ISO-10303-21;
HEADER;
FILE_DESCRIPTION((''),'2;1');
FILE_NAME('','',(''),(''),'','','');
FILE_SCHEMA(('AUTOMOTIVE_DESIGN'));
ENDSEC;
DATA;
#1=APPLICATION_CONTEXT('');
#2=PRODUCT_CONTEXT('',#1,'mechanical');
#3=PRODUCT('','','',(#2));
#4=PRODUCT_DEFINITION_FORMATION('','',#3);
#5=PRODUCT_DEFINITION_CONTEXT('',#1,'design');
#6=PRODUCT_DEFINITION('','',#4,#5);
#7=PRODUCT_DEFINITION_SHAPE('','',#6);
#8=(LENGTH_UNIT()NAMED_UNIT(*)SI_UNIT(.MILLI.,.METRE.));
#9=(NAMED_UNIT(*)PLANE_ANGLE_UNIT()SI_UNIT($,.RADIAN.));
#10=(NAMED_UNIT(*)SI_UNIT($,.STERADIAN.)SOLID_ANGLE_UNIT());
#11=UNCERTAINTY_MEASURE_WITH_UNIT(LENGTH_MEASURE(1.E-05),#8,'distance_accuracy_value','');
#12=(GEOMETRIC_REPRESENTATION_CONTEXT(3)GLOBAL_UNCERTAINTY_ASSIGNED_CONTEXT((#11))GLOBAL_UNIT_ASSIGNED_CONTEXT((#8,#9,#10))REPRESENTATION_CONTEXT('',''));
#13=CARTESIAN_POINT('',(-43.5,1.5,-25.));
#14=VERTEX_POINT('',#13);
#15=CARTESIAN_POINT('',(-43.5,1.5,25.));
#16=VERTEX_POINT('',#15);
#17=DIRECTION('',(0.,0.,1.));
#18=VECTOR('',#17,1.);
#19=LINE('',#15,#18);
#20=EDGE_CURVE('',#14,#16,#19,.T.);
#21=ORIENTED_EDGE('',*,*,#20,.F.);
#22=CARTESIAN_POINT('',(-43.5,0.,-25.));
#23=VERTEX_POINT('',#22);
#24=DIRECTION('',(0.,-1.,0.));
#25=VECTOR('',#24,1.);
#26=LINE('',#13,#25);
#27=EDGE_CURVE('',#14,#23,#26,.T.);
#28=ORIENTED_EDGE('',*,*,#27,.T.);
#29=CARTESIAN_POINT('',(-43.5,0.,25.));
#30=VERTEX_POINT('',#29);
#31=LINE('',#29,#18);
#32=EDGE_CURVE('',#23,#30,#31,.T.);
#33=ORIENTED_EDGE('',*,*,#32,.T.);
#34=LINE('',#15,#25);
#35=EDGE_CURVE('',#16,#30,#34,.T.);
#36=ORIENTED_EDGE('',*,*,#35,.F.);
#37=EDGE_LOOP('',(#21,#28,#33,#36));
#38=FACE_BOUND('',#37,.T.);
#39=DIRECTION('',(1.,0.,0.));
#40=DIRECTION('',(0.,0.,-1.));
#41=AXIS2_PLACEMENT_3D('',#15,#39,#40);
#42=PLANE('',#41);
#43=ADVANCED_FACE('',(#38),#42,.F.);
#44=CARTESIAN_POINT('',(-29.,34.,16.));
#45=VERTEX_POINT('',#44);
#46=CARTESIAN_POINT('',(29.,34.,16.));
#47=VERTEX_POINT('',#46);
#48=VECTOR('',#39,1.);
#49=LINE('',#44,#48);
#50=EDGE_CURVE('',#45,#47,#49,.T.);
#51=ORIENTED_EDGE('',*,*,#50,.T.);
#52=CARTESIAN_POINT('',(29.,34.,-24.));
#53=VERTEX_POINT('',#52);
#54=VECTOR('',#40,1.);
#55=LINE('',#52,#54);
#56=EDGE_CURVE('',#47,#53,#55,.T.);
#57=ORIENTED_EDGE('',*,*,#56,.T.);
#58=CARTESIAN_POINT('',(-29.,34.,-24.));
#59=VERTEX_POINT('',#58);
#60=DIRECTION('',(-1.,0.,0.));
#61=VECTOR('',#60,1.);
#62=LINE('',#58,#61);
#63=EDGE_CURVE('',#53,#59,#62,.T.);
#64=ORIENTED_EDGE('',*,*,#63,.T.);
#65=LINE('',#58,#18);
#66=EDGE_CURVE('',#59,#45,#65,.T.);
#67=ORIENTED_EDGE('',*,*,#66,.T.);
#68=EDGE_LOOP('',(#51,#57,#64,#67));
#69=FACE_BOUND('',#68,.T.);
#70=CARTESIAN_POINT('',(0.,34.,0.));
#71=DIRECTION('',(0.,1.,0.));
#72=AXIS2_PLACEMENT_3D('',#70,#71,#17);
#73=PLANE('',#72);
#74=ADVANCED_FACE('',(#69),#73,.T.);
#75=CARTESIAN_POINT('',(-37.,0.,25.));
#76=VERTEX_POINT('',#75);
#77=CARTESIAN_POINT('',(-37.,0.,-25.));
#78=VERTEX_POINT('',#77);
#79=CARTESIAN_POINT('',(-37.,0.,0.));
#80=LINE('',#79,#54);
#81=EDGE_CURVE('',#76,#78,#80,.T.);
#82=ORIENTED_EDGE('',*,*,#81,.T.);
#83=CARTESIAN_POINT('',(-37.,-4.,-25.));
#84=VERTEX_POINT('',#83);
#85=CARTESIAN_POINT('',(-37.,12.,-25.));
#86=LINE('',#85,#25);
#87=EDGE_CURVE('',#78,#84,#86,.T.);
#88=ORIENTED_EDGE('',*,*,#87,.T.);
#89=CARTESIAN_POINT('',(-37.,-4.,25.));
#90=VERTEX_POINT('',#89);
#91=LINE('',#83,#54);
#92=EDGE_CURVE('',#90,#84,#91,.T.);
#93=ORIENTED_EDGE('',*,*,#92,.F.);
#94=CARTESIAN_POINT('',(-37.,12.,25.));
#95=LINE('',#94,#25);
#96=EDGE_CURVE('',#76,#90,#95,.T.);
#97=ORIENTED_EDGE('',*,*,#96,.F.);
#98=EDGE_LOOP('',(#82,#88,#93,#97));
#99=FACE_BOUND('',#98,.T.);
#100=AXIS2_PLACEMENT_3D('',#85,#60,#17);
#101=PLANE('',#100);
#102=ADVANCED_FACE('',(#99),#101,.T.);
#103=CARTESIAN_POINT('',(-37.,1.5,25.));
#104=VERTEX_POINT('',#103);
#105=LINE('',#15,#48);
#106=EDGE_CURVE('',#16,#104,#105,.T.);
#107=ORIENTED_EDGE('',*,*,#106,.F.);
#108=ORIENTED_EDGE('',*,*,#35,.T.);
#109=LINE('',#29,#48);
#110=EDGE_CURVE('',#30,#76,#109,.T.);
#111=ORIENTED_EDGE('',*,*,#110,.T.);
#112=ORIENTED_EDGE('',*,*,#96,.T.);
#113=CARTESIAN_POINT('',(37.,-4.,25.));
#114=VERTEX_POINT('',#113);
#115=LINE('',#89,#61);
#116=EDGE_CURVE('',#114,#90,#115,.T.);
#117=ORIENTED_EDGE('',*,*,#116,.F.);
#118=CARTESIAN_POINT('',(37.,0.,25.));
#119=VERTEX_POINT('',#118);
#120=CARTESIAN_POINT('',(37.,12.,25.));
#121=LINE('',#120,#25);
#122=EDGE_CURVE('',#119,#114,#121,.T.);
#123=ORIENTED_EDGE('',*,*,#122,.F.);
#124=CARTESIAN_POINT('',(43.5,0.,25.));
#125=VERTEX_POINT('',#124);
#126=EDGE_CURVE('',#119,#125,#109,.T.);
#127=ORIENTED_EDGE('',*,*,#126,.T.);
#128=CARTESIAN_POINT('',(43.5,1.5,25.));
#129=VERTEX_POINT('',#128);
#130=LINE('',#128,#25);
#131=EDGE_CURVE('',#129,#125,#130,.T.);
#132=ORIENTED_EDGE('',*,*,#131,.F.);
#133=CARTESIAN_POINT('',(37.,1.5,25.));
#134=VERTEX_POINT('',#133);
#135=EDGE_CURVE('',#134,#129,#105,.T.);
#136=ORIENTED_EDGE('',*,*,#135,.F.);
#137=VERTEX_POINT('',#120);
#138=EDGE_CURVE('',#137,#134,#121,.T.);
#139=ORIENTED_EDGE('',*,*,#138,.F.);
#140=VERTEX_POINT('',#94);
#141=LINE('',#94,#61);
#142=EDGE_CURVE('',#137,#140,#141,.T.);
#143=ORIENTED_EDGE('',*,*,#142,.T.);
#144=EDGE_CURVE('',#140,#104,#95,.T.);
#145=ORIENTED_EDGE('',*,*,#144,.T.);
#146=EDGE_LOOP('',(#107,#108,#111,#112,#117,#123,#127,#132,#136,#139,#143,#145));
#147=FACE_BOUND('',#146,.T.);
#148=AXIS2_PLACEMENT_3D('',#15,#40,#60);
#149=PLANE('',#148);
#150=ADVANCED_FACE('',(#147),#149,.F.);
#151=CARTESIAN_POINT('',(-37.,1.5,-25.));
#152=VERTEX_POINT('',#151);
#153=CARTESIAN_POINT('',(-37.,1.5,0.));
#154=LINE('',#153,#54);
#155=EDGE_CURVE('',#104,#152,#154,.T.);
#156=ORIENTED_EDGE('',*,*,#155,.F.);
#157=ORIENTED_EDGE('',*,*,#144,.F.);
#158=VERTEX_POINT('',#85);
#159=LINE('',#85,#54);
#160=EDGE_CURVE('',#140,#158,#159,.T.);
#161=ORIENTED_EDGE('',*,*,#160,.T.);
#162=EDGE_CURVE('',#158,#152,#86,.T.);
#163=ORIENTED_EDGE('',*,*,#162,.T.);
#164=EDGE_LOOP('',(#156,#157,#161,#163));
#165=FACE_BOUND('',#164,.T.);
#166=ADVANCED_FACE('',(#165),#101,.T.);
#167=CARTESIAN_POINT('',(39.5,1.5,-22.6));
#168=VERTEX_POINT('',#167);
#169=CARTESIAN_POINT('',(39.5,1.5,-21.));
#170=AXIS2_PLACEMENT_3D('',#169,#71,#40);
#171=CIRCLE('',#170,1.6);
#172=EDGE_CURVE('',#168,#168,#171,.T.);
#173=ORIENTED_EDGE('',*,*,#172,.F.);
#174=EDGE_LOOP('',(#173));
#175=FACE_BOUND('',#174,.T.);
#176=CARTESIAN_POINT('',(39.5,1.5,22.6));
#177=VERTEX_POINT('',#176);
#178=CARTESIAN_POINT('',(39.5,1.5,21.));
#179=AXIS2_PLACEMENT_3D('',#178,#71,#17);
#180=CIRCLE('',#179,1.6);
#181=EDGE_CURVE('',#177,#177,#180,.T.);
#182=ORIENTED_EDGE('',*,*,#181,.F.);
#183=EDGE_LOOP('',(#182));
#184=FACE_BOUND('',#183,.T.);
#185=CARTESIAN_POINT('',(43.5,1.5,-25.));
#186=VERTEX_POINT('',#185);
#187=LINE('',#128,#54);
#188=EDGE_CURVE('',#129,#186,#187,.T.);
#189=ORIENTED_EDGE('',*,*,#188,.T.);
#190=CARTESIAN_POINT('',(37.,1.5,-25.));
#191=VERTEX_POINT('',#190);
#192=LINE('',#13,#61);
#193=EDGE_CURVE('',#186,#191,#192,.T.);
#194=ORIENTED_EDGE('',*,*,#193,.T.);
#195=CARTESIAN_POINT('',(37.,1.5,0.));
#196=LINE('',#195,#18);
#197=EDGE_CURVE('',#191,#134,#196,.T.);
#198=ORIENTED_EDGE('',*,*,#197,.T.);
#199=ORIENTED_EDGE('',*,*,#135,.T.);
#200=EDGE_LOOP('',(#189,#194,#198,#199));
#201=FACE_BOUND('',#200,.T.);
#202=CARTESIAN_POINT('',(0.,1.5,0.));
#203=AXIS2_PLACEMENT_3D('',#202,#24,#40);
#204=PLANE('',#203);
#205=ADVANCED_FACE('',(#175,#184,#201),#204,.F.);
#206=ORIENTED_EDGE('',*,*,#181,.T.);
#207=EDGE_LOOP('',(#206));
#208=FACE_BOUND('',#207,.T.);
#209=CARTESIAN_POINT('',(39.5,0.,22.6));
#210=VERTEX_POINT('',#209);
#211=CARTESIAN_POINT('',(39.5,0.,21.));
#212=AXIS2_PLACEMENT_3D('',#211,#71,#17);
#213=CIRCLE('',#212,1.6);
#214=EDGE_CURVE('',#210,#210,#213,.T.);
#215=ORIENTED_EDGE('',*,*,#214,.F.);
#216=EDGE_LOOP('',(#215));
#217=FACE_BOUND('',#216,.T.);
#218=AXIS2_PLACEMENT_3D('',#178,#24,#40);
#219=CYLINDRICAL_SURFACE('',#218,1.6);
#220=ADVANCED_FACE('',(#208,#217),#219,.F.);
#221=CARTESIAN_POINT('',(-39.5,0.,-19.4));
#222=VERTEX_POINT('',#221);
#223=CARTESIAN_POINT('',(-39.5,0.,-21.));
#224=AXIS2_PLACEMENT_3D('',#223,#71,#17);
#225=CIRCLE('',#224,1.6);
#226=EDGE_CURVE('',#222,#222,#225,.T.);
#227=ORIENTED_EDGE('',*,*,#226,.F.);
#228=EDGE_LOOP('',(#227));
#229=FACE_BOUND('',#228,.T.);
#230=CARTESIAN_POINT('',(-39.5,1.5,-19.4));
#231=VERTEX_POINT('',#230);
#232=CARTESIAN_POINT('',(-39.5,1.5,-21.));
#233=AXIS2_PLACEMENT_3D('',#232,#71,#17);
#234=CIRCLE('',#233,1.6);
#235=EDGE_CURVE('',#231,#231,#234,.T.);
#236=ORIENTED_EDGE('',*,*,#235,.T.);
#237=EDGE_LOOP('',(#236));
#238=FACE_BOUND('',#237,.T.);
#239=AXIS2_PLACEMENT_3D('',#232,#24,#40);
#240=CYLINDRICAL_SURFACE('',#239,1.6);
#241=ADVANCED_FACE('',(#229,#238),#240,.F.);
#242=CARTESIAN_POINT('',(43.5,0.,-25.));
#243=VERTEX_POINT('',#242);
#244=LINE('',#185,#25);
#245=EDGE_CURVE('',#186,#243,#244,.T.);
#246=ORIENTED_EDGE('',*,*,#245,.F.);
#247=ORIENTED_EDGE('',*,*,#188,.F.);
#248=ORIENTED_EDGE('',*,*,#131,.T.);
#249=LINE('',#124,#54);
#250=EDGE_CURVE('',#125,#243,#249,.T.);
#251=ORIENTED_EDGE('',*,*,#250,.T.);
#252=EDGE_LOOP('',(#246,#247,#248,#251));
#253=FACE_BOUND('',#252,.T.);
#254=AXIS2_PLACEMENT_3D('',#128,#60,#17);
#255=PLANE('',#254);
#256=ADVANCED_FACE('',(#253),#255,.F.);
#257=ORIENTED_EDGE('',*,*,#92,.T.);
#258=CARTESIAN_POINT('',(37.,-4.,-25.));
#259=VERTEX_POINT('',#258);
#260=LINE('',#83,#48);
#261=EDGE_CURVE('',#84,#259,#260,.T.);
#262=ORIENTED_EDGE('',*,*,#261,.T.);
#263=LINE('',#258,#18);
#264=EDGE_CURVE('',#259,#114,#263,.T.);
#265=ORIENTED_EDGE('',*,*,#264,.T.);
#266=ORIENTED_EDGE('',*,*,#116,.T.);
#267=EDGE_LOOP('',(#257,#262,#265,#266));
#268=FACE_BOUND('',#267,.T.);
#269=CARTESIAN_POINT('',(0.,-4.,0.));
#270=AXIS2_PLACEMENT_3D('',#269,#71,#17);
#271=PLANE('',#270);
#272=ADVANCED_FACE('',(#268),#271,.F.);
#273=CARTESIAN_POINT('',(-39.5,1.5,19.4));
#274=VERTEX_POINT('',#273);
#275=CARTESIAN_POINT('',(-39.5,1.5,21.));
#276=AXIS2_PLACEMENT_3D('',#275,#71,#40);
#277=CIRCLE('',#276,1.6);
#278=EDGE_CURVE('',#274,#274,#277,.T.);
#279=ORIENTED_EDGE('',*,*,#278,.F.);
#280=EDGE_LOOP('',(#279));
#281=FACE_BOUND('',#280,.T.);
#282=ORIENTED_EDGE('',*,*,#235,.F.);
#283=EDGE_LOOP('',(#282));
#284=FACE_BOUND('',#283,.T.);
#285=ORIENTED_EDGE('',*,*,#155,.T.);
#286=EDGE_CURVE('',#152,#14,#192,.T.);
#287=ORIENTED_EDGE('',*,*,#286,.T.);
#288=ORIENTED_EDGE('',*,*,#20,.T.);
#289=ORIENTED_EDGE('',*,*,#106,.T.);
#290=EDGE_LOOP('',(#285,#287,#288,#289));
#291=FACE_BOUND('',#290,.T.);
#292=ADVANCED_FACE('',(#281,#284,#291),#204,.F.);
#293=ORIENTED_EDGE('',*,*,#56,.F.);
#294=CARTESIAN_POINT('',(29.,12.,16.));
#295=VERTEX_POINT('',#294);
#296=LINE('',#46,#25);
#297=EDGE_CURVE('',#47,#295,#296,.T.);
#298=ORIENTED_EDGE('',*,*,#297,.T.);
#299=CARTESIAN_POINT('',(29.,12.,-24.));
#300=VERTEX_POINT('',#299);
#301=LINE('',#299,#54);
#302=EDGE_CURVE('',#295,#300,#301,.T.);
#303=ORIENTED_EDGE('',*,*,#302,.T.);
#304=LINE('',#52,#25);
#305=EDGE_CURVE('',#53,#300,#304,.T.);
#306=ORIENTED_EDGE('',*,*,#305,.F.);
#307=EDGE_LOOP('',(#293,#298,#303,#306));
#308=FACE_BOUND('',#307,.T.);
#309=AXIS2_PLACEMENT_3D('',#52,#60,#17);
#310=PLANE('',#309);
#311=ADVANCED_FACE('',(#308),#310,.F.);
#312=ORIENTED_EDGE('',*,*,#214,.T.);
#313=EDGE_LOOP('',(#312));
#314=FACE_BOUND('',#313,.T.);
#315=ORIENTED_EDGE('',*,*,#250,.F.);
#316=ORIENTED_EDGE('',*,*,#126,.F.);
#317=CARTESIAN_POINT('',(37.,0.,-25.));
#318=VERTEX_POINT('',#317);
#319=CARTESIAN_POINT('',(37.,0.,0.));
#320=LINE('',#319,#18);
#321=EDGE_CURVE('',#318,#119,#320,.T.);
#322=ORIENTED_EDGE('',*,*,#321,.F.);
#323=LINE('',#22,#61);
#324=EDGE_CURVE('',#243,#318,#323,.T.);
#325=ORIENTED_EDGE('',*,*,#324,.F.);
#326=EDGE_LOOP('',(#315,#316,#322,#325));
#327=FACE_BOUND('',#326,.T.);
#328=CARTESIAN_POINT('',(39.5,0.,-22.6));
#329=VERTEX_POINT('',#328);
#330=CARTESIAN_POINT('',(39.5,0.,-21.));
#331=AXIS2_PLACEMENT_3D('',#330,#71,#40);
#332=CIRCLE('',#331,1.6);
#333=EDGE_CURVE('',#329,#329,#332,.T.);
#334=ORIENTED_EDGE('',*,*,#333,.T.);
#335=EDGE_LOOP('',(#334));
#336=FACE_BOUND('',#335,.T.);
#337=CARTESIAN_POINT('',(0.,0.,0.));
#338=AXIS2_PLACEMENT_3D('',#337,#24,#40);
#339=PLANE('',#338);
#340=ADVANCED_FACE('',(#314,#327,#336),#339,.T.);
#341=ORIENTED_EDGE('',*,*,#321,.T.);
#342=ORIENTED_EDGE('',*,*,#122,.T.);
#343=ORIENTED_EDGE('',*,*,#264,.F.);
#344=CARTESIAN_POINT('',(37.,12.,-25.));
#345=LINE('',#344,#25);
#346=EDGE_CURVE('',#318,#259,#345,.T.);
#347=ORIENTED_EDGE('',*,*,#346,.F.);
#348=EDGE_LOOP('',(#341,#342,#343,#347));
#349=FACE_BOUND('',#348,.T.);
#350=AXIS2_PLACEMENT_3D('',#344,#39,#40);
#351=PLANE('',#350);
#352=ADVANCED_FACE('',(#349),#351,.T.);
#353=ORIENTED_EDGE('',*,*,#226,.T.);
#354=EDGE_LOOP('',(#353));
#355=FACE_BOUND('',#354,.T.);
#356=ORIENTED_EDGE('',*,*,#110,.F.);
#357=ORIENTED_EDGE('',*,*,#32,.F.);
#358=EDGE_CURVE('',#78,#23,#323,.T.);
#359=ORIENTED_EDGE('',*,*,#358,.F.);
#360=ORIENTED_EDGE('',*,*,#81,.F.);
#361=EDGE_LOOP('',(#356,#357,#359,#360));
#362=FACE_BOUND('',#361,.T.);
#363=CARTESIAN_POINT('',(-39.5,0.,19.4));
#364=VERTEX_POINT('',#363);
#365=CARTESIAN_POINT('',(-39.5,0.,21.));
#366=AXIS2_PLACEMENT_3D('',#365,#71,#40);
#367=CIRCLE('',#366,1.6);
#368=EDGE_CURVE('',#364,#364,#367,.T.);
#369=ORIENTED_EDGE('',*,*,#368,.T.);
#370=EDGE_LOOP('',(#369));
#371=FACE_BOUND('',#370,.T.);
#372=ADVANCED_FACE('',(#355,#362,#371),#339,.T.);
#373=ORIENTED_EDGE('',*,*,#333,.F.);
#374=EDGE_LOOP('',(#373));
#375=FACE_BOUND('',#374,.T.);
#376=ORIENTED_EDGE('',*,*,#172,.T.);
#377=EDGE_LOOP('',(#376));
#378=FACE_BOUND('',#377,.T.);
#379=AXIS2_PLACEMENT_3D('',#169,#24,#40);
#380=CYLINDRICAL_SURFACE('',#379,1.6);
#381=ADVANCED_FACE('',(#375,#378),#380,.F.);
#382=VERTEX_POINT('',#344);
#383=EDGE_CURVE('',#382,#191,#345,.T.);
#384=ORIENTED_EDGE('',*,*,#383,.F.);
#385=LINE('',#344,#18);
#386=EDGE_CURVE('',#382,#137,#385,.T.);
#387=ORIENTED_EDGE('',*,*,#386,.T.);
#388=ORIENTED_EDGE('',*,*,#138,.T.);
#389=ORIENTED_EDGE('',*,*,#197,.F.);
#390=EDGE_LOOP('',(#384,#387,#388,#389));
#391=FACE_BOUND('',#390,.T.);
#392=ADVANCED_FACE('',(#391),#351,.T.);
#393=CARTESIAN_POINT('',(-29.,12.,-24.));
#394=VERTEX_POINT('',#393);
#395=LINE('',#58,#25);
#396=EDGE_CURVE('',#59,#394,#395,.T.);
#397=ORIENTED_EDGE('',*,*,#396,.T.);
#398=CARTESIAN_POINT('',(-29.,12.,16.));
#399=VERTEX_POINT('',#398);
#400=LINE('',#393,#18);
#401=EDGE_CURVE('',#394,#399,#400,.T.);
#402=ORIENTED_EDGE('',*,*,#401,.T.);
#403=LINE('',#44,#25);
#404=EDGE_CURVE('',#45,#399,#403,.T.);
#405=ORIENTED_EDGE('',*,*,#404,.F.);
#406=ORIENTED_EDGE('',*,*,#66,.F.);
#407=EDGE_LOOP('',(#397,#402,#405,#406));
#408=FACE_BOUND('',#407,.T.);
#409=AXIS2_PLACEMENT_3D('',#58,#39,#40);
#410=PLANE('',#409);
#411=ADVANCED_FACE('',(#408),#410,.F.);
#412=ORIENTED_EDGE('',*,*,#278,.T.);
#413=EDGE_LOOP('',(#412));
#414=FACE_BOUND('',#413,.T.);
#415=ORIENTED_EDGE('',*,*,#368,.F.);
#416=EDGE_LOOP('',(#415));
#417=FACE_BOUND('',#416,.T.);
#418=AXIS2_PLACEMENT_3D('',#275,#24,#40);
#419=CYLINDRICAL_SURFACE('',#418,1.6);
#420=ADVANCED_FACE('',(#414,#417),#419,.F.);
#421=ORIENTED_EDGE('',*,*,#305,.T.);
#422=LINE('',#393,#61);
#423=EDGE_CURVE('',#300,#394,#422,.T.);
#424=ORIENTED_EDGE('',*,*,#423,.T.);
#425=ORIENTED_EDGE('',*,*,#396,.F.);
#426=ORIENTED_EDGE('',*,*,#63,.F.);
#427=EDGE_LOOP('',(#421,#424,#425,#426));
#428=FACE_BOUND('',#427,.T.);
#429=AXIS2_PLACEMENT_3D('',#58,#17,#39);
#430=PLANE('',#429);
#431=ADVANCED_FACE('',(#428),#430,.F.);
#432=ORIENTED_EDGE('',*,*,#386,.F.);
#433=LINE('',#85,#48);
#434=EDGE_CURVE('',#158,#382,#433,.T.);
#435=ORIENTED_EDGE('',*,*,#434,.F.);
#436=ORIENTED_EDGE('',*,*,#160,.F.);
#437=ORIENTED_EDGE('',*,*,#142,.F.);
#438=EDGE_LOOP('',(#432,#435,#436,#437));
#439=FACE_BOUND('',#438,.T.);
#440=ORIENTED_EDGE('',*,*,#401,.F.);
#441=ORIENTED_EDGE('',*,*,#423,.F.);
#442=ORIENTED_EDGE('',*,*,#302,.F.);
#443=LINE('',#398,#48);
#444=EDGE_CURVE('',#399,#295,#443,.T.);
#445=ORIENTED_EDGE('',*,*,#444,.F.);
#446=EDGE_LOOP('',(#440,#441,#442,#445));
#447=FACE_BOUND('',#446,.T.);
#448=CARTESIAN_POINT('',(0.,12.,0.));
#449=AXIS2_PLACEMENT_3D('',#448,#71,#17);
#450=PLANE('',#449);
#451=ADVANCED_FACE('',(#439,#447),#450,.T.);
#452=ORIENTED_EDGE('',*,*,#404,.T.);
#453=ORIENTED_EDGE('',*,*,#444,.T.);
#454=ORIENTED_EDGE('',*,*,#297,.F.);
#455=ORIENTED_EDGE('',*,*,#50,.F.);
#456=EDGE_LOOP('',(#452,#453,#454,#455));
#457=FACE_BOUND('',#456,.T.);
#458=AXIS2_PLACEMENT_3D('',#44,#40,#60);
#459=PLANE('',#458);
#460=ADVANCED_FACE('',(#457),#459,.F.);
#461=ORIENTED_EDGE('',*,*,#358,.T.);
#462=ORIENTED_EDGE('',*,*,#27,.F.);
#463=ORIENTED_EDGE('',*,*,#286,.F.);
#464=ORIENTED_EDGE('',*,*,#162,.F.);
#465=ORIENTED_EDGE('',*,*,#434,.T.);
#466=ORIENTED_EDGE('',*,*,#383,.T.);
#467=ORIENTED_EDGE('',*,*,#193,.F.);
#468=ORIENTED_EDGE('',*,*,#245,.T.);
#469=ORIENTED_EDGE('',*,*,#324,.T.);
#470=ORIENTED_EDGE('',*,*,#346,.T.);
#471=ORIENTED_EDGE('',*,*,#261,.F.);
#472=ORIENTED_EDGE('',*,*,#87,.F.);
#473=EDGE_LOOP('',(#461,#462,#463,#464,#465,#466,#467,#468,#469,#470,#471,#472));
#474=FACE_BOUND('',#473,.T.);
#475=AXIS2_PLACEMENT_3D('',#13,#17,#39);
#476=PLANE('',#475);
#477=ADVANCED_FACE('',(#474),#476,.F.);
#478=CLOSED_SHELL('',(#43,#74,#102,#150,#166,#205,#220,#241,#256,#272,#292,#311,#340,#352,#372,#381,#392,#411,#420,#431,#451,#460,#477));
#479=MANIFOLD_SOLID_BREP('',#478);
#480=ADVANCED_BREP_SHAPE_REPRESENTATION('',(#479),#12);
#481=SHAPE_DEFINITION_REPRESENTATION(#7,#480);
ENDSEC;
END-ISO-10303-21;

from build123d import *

# Parameters (mm, degrees)
SKETCH_1_W           = 87
SKETCH_1_H           = 50
SKETCH_1_R           = 1.6
EXTRUDE_1_DEPTH      = 1.5
EXTRUDE_2_DEPTH      = 4
EXTRUDE_2_DEPTH_BACK = 12
SKETCH_2_W           = 74
SKETCH_2_H           = 50
SKETCH_3_W           = 58
SKETCH_3_H           = 40
EXTRUDE_3_DEPTH      = 22


with BuildPart() as part:
    # 草图1 → 凸台-拉伸1 (new body)
    with BuildSketch(Plane(origin=(0, 0, 0), x_dir=(1, 0, 0), z_dir=(0, 1, 0))):
        Rectangle(SKETCH_1_W, SKETCH_1_H)
        with Locations(Location((-39.5, 21, 0), (0, 0, 270))):
            Circle(SKETCH_1_R, mode=Mode.SUBTRACT)
        with Locations(Location((-39.5, -21, 0), (0, 0, 90))):
            Circle(SKETCH_1_R, mode=Mode.SUBTRACT)
        with Locations(Location((39.5, -21, 0), (0, 0, 270))):
            Circle(SKETCH_1_R, mode=Mode.SUBTRACT)
        with Locations(Location((39.5, 21, 0), (0, 0, 90))):
            Circle(SKETCH_1_R, mode=Mode.SUBTRACT)
    extrude(amount=EXTRUDE_1_DEPTH)

    # 草图2 → 凸台-拉伸2 (add, two sides: drawn at the far end of the back side and taken through both)
    with BuildSketch(Plane.XZ.offset(-EXTRUDE_2_DEPTH_BACK)):
        Rectangle(SKETCH_2_W, SKETCH_2_H)
    extrude(amount=EXTRUDE_2_DEPTH + EXTRUDE_2_DEPTH_BACK)

    # 草图3 → 凸台-拉伸3 (add)
    with BuildSketch(Plane(origin=(0, 12, 0), x_dir=(1, 0, 0), z_dir=(0, 1, 0))):
        with Locations((0, 4)):
            Rectangle(SKETCH_3_W, SKETCH_3_H)
    extrude(amount=EXTRUDE_3_DEPTH)


solid = part.part
